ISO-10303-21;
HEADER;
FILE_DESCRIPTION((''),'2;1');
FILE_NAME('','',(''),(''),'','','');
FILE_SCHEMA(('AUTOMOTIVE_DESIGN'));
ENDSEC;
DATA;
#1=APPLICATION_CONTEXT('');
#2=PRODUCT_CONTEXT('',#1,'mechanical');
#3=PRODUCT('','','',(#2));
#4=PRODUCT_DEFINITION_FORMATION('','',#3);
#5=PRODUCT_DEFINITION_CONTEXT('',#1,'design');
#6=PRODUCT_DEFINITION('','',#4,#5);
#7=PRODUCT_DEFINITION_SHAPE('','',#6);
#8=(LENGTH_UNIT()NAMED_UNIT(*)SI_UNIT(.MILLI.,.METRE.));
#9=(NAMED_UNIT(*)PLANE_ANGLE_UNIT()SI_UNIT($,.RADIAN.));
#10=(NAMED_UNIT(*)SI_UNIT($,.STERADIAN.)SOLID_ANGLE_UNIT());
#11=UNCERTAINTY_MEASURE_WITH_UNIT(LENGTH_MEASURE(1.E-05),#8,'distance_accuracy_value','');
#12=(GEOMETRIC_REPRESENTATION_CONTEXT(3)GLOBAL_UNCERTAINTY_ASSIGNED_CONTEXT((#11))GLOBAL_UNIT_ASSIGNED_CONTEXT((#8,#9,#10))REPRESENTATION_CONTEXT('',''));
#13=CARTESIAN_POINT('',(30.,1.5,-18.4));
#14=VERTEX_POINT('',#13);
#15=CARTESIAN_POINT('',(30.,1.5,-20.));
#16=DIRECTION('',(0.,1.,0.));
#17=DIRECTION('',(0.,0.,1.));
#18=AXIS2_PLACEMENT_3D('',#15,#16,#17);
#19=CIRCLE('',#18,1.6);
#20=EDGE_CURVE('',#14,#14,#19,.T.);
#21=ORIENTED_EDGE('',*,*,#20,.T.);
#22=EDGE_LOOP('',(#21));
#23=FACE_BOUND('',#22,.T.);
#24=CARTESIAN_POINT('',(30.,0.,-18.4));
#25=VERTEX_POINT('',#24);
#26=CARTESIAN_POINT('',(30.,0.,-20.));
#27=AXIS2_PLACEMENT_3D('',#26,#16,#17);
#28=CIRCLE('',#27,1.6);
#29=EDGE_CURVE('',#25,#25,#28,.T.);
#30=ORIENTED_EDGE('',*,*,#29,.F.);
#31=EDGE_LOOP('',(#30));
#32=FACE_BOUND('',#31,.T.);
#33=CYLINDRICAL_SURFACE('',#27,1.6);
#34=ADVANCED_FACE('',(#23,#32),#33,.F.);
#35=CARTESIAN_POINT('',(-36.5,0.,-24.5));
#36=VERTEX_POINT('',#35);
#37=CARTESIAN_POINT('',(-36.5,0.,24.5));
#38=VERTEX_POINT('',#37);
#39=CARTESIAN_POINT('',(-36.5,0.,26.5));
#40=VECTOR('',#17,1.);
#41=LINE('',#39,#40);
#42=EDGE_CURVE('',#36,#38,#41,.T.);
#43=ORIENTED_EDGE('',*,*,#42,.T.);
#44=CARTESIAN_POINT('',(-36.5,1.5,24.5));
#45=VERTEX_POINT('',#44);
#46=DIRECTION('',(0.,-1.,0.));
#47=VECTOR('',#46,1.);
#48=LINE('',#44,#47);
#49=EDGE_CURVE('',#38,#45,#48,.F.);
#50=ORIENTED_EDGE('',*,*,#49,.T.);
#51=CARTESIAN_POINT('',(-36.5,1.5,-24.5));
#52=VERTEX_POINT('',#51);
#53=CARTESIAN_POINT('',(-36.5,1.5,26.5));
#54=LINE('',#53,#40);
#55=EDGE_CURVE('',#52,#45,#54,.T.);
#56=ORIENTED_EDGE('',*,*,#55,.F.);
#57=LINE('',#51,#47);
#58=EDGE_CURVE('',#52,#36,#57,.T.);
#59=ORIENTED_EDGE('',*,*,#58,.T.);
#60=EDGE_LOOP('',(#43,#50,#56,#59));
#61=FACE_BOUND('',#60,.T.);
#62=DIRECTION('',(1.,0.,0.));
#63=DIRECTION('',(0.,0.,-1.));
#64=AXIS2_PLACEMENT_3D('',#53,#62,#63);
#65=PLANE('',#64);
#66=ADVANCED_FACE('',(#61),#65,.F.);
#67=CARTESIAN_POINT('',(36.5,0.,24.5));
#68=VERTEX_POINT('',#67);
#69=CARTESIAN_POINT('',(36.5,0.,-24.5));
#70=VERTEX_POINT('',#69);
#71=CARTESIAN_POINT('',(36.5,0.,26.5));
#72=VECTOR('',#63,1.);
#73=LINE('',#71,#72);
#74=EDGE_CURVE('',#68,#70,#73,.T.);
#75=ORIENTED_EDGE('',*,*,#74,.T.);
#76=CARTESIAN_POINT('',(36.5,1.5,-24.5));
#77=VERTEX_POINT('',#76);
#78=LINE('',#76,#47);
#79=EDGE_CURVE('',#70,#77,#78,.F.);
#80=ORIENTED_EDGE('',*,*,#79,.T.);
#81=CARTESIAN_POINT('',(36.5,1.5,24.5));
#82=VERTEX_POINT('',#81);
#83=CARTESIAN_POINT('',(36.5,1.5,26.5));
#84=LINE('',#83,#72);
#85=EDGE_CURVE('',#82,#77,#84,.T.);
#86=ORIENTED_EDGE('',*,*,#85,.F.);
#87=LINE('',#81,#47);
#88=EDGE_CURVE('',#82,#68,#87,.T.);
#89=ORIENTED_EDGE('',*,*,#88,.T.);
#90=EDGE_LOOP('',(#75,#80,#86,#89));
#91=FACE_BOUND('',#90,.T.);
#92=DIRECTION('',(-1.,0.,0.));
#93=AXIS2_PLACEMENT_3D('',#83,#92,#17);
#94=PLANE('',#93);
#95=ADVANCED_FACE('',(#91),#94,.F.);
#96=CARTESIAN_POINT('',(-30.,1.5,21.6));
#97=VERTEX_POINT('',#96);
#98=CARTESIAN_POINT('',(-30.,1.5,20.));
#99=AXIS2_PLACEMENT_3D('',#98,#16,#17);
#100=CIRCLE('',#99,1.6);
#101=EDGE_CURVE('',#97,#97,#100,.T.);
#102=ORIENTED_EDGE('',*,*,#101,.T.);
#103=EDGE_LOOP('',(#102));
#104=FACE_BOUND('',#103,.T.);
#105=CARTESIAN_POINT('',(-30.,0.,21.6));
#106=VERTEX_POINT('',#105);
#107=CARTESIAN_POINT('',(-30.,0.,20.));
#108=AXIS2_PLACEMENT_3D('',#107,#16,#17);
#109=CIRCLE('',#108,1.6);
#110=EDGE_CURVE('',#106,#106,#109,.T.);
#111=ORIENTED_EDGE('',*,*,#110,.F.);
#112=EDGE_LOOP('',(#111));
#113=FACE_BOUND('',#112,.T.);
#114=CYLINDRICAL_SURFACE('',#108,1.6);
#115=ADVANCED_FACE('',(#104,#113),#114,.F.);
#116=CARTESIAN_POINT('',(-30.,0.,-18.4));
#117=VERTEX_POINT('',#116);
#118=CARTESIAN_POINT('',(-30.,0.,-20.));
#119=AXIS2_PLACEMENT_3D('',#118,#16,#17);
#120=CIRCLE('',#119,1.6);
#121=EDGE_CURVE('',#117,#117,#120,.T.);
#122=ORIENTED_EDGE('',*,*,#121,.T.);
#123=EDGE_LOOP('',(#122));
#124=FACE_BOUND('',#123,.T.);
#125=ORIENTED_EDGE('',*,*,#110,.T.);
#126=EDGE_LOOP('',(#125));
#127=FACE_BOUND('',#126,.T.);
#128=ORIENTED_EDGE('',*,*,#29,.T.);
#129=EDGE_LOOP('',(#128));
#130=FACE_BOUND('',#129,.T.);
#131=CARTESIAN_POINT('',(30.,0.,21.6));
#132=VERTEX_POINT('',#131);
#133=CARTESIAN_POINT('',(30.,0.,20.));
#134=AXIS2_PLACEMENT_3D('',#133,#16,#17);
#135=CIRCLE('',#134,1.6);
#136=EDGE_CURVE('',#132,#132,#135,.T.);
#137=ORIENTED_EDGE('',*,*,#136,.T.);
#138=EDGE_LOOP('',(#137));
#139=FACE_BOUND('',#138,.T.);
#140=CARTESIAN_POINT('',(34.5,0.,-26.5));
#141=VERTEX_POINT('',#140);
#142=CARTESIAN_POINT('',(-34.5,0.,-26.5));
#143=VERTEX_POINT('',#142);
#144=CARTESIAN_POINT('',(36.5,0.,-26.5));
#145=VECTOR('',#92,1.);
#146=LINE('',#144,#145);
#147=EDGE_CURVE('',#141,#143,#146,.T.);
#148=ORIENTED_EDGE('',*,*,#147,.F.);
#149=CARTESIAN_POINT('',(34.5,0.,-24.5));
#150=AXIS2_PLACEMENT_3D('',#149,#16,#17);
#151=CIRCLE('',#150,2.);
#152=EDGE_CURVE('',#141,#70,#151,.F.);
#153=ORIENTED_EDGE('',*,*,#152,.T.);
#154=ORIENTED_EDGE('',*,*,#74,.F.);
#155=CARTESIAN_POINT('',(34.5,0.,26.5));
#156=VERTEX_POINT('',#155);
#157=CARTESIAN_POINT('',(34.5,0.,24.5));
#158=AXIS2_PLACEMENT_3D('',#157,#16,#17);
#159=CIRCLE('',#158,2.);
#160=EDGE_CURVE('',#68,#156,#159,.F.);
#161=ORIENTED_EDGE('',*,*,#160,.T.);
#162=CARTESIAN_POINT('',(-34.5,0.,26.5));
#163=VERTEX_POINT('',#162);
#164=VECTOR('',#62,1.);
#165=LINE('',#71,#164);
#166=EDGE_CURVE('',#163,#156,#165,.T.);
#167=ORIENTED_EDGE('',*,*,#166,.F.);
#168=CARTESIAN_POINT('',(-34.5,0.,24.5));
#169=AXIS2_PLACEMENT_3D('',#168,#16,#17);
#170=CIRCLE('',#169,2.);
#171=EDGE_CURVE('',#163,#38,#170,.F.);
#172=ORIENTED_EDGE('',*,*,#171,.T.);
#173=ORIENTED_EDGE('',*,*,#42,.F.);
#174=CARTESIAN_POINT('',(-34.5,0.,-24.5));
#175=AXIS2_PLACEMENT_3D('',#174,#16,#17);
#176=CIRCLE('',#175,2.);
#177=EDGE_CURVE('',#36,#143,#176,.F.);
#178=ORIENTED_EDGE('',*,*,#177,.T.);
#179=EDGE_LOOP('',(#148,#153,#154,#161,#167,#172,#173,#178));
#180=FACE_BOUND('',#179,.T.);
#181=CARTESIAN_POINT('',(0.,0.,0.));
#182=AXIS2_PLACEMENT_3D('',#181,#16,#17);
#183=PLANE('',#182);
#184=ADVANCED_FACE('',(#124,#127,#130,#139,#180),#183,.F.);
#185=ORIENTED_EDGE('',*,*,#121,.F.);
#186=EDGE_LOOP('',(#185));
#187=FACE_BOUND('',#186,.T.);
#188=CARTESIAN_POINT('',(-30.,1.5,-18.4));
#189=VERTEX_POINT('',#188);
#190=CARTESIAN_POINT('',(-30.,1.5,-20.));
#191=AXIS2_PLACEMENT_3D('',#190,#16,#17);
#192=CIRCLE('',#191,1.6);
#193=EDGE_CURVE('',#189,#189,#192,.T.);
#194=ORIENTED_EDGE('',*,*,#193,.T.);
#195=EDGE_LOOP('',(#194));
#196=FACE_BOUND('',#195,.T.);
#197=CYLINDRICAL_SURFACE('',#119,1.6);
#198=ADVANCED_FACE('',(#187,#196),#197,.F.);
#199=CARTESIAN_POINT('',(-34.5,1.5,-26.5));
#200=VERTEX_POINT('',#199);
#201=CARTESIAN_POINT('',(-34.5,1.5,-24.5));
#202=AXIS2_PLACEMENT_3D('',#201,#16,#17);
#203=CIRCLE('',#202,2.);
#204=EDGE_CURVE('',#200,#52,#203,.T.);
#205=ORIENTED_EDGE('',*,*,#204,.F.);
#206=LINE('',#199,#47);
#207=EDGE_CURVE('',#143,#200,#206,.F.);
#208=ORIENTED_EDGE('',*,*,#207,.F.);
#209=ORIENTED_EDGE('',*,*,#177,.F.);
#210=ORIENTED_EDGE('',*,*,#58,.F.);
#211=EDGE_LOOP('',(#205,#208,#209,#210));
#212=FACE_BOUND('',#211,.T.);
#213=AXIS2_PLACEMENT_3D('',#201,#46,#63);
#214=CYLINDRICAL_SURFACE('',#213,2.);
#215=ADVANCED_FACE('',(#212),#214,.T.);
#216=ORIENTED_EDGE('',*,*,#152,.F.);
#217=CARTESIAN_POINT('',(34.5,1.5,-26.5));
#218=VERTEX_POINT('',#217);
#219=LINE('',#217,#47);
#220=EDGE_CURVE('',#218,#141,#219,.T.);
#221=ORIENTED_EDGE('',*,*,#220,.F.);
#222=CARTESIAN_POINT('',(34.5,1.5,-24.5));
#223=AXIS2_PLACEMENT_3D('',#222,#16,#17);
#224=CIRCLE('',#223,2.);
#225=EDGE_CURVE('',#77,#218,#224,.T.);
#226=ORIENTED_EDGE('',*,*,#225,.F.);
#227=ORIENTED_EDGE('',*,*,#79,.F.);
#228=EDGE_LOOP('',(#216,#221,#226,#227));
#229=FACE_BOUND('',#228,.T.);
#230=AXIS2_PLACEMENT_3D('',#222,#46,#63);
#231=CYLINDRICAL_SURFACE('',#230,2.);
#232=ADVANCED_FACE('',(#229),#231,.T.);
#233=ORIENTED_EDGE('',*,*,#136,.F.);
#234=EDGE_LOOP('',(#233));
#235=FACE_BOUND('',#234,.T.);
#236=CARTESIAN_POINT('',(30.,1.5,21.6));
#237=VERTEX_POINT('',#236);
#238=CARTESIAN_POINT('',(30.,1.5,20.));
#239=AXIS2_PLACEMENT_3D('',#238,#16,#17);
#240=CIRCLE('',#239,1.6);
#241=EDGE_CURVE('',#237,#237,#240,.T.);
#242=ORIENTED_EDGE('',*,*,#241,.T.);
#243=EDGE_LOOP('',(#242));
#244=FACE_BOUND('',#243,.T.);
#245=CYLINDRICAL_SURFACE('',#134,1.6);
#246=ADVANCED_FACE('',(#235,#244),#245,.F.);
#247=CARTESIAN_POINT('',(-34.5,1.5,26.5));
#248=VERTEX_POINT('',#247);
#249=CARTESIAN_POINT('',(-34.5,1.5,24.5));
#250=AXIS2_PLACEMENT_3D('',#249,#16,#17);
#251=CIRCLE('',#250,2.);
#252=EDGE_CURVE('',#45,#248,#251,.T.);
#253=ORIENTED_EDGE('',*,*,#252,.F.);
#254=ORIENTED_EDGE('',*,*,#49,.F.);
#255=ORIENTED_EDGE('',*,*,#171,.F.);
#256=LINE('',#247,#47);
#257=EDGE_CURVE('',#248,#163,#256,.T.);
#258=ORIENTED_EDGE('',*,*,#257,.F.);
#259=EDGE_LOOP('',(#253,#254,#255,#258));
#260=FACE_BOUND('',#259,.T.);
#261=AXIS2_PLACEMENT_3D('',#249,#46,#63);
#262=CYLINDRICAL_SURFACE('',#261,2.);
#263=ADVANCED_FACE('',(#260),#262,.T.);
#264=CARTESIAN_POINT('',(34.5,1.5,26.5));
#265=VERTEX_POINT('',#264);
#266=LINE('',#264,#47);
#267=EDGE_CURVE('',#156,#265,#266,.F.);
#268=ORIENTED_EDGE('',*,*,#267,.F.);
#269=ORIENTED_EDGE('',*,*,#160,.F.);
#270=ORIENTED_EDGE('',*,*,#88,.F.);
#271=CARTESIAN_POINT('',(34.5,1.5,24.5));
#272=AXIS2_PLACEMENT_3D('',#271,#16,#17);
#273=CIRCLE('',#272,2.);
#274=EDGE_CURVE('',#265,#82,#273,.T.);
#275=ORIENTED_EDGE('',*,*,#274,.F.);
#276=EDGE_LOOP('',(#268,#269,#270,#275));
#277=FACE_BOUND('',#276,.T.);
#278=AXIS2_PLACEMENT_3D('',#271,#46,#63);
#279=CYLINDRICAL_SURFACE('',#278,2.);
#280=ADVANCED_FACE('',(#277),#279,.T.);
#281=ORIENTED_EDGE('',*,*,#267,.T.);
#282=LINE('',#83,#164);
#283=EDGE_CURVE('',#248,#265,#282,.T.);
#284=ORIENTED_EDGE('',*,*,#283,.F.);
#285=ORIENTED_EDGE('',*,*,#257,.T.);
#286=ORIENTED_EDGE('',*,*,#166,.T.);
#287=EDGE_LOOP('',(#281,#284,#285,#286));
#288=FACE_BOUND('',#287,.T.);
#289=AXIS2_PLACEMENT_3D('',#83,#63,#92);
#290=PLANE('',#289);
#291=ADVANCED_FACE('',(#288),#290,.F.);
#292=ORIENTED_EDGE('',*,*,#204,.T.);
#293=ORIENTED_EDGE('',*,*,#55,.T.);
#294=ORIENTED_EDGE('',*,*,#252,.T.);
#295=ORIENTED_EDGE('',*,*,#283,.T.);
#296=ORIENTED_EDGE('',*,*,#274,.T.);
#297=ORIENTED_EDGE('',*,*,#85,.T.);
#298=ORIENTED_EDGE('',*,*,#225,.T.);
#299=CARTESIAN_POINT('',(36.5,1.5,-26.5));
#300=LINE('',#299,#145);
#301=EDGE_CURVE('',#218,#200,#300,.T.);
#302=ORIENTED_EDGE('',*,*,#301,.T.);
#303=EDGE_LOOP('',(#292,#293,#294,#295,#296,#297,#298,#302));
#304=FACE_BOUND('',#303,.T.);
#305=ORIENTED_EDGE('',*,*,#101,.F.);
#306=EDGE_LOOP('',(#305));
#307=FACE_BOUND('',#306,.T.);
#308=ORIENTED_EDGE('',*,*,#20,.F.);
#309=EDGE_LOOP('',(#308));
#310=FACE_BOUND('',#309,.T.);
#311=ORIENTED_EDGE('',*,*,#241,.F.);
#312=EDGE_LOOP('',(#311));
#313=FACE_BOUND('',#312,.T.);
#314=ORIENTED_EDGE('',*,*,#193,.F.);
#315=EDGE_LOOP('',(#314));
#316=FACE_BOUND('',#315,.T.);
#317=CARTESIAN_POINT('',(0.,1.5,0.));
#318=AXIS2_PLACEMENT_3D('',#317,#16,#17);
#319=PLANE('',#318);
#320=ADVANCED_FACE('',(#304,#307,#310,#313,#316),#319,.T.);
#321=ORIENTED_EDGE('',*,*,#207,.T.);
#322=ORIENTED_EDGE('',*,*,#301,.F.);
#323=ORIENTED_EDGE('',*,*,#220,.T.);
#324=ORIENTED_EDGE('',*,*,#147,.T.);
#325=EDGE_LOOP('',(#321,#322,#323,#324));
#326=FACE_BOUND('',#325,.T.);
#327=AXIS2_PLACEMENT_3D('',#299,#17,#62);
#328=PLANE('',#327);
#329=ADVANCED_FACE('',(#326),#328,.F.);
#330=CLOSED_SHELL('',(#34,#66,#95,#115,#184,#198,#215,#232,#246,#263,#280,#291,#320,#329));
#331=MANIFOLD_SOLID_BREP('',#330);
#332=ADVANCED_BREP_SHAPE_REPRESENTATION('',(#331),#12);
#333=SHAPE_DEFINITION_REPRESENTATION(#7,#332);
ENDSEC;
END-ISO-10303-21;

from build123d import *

# Parameters (mm, degrees)
SKETCH_1_W                  = 73
SKETCH_1_H                  = 53
EXTRUDE_1_DEPTH             = 1.5
FILLET_1_R                  = 2
SKETCH_2_R                  = 1.6
CUT_EXTRUDE_1_DEPTH         = 46.130366717
PATTERN_LINEAR_1_COUNT      = 2
PATTERN_LINEAR_1_PITCH      = 60
PATTERN_LINEAR_1_COUNT_DIR2 = 2
PATTERN_LINEAR_1_PITCH_DIR2 = 40


with BuildPart() as part:
    # 草图1 → 凸台-拉伸1 (new body)
    with BuildSketch(Plane(origin=(0, 0, 0), x_dir=(1, 0, 0), z_dir=(0, 1, 0))):
        Rectangle(SKETCH_1_W, SKETCH_1_H)
    extrude(amount=EXTRUDE_1_DEPTH)

    # 圆角1
    fillet_1_edges = [part.edges().sort_by_distance(p)[0] for p in [
        (-36.5, 0.75, -26.5),
        (36.5, 0.75, -26.5),
        (36.5, 0.75, 26.5),
        (-36.5, 0.75, 26.5),
    ]]
    fillet(fillet_1_edges, radius=FILLET_1_R)

    # 草图2 → 切除-拉伸1 (cut, through all)
    with BuildSketch(Plane(origin=(0, 1.5, 0), x_dir=(1, 0, 0), z_dir=(0, 1, 0))):
        with Locations(Location((-30, 20, 0), (0, 0, 270))):
            Circle(SKETCH_2_R)
    cut_extrude_1 = extrude(amount=-CUT_EXTRUDE_1_DEPTH, mode=Mode.SUBTRACT)

    # 阵列(线性)1: Cut-Extrude 1 2 × 2
    with Locations(*[(i * PATTERN_LINEAR_1_PITCH, 0, j * PATTERN_LINEAR_1_PITCH_DIR2) for i in range(PATTERN_LINEAR_1_COUNT) for j in range(PATTERN_LINEAR_1_COUNT_DIR2) if (i, j) != (0, 0)]):
        add(cut_extrude_1, mode=Mode.SUBTRACT)


solid = part.part
